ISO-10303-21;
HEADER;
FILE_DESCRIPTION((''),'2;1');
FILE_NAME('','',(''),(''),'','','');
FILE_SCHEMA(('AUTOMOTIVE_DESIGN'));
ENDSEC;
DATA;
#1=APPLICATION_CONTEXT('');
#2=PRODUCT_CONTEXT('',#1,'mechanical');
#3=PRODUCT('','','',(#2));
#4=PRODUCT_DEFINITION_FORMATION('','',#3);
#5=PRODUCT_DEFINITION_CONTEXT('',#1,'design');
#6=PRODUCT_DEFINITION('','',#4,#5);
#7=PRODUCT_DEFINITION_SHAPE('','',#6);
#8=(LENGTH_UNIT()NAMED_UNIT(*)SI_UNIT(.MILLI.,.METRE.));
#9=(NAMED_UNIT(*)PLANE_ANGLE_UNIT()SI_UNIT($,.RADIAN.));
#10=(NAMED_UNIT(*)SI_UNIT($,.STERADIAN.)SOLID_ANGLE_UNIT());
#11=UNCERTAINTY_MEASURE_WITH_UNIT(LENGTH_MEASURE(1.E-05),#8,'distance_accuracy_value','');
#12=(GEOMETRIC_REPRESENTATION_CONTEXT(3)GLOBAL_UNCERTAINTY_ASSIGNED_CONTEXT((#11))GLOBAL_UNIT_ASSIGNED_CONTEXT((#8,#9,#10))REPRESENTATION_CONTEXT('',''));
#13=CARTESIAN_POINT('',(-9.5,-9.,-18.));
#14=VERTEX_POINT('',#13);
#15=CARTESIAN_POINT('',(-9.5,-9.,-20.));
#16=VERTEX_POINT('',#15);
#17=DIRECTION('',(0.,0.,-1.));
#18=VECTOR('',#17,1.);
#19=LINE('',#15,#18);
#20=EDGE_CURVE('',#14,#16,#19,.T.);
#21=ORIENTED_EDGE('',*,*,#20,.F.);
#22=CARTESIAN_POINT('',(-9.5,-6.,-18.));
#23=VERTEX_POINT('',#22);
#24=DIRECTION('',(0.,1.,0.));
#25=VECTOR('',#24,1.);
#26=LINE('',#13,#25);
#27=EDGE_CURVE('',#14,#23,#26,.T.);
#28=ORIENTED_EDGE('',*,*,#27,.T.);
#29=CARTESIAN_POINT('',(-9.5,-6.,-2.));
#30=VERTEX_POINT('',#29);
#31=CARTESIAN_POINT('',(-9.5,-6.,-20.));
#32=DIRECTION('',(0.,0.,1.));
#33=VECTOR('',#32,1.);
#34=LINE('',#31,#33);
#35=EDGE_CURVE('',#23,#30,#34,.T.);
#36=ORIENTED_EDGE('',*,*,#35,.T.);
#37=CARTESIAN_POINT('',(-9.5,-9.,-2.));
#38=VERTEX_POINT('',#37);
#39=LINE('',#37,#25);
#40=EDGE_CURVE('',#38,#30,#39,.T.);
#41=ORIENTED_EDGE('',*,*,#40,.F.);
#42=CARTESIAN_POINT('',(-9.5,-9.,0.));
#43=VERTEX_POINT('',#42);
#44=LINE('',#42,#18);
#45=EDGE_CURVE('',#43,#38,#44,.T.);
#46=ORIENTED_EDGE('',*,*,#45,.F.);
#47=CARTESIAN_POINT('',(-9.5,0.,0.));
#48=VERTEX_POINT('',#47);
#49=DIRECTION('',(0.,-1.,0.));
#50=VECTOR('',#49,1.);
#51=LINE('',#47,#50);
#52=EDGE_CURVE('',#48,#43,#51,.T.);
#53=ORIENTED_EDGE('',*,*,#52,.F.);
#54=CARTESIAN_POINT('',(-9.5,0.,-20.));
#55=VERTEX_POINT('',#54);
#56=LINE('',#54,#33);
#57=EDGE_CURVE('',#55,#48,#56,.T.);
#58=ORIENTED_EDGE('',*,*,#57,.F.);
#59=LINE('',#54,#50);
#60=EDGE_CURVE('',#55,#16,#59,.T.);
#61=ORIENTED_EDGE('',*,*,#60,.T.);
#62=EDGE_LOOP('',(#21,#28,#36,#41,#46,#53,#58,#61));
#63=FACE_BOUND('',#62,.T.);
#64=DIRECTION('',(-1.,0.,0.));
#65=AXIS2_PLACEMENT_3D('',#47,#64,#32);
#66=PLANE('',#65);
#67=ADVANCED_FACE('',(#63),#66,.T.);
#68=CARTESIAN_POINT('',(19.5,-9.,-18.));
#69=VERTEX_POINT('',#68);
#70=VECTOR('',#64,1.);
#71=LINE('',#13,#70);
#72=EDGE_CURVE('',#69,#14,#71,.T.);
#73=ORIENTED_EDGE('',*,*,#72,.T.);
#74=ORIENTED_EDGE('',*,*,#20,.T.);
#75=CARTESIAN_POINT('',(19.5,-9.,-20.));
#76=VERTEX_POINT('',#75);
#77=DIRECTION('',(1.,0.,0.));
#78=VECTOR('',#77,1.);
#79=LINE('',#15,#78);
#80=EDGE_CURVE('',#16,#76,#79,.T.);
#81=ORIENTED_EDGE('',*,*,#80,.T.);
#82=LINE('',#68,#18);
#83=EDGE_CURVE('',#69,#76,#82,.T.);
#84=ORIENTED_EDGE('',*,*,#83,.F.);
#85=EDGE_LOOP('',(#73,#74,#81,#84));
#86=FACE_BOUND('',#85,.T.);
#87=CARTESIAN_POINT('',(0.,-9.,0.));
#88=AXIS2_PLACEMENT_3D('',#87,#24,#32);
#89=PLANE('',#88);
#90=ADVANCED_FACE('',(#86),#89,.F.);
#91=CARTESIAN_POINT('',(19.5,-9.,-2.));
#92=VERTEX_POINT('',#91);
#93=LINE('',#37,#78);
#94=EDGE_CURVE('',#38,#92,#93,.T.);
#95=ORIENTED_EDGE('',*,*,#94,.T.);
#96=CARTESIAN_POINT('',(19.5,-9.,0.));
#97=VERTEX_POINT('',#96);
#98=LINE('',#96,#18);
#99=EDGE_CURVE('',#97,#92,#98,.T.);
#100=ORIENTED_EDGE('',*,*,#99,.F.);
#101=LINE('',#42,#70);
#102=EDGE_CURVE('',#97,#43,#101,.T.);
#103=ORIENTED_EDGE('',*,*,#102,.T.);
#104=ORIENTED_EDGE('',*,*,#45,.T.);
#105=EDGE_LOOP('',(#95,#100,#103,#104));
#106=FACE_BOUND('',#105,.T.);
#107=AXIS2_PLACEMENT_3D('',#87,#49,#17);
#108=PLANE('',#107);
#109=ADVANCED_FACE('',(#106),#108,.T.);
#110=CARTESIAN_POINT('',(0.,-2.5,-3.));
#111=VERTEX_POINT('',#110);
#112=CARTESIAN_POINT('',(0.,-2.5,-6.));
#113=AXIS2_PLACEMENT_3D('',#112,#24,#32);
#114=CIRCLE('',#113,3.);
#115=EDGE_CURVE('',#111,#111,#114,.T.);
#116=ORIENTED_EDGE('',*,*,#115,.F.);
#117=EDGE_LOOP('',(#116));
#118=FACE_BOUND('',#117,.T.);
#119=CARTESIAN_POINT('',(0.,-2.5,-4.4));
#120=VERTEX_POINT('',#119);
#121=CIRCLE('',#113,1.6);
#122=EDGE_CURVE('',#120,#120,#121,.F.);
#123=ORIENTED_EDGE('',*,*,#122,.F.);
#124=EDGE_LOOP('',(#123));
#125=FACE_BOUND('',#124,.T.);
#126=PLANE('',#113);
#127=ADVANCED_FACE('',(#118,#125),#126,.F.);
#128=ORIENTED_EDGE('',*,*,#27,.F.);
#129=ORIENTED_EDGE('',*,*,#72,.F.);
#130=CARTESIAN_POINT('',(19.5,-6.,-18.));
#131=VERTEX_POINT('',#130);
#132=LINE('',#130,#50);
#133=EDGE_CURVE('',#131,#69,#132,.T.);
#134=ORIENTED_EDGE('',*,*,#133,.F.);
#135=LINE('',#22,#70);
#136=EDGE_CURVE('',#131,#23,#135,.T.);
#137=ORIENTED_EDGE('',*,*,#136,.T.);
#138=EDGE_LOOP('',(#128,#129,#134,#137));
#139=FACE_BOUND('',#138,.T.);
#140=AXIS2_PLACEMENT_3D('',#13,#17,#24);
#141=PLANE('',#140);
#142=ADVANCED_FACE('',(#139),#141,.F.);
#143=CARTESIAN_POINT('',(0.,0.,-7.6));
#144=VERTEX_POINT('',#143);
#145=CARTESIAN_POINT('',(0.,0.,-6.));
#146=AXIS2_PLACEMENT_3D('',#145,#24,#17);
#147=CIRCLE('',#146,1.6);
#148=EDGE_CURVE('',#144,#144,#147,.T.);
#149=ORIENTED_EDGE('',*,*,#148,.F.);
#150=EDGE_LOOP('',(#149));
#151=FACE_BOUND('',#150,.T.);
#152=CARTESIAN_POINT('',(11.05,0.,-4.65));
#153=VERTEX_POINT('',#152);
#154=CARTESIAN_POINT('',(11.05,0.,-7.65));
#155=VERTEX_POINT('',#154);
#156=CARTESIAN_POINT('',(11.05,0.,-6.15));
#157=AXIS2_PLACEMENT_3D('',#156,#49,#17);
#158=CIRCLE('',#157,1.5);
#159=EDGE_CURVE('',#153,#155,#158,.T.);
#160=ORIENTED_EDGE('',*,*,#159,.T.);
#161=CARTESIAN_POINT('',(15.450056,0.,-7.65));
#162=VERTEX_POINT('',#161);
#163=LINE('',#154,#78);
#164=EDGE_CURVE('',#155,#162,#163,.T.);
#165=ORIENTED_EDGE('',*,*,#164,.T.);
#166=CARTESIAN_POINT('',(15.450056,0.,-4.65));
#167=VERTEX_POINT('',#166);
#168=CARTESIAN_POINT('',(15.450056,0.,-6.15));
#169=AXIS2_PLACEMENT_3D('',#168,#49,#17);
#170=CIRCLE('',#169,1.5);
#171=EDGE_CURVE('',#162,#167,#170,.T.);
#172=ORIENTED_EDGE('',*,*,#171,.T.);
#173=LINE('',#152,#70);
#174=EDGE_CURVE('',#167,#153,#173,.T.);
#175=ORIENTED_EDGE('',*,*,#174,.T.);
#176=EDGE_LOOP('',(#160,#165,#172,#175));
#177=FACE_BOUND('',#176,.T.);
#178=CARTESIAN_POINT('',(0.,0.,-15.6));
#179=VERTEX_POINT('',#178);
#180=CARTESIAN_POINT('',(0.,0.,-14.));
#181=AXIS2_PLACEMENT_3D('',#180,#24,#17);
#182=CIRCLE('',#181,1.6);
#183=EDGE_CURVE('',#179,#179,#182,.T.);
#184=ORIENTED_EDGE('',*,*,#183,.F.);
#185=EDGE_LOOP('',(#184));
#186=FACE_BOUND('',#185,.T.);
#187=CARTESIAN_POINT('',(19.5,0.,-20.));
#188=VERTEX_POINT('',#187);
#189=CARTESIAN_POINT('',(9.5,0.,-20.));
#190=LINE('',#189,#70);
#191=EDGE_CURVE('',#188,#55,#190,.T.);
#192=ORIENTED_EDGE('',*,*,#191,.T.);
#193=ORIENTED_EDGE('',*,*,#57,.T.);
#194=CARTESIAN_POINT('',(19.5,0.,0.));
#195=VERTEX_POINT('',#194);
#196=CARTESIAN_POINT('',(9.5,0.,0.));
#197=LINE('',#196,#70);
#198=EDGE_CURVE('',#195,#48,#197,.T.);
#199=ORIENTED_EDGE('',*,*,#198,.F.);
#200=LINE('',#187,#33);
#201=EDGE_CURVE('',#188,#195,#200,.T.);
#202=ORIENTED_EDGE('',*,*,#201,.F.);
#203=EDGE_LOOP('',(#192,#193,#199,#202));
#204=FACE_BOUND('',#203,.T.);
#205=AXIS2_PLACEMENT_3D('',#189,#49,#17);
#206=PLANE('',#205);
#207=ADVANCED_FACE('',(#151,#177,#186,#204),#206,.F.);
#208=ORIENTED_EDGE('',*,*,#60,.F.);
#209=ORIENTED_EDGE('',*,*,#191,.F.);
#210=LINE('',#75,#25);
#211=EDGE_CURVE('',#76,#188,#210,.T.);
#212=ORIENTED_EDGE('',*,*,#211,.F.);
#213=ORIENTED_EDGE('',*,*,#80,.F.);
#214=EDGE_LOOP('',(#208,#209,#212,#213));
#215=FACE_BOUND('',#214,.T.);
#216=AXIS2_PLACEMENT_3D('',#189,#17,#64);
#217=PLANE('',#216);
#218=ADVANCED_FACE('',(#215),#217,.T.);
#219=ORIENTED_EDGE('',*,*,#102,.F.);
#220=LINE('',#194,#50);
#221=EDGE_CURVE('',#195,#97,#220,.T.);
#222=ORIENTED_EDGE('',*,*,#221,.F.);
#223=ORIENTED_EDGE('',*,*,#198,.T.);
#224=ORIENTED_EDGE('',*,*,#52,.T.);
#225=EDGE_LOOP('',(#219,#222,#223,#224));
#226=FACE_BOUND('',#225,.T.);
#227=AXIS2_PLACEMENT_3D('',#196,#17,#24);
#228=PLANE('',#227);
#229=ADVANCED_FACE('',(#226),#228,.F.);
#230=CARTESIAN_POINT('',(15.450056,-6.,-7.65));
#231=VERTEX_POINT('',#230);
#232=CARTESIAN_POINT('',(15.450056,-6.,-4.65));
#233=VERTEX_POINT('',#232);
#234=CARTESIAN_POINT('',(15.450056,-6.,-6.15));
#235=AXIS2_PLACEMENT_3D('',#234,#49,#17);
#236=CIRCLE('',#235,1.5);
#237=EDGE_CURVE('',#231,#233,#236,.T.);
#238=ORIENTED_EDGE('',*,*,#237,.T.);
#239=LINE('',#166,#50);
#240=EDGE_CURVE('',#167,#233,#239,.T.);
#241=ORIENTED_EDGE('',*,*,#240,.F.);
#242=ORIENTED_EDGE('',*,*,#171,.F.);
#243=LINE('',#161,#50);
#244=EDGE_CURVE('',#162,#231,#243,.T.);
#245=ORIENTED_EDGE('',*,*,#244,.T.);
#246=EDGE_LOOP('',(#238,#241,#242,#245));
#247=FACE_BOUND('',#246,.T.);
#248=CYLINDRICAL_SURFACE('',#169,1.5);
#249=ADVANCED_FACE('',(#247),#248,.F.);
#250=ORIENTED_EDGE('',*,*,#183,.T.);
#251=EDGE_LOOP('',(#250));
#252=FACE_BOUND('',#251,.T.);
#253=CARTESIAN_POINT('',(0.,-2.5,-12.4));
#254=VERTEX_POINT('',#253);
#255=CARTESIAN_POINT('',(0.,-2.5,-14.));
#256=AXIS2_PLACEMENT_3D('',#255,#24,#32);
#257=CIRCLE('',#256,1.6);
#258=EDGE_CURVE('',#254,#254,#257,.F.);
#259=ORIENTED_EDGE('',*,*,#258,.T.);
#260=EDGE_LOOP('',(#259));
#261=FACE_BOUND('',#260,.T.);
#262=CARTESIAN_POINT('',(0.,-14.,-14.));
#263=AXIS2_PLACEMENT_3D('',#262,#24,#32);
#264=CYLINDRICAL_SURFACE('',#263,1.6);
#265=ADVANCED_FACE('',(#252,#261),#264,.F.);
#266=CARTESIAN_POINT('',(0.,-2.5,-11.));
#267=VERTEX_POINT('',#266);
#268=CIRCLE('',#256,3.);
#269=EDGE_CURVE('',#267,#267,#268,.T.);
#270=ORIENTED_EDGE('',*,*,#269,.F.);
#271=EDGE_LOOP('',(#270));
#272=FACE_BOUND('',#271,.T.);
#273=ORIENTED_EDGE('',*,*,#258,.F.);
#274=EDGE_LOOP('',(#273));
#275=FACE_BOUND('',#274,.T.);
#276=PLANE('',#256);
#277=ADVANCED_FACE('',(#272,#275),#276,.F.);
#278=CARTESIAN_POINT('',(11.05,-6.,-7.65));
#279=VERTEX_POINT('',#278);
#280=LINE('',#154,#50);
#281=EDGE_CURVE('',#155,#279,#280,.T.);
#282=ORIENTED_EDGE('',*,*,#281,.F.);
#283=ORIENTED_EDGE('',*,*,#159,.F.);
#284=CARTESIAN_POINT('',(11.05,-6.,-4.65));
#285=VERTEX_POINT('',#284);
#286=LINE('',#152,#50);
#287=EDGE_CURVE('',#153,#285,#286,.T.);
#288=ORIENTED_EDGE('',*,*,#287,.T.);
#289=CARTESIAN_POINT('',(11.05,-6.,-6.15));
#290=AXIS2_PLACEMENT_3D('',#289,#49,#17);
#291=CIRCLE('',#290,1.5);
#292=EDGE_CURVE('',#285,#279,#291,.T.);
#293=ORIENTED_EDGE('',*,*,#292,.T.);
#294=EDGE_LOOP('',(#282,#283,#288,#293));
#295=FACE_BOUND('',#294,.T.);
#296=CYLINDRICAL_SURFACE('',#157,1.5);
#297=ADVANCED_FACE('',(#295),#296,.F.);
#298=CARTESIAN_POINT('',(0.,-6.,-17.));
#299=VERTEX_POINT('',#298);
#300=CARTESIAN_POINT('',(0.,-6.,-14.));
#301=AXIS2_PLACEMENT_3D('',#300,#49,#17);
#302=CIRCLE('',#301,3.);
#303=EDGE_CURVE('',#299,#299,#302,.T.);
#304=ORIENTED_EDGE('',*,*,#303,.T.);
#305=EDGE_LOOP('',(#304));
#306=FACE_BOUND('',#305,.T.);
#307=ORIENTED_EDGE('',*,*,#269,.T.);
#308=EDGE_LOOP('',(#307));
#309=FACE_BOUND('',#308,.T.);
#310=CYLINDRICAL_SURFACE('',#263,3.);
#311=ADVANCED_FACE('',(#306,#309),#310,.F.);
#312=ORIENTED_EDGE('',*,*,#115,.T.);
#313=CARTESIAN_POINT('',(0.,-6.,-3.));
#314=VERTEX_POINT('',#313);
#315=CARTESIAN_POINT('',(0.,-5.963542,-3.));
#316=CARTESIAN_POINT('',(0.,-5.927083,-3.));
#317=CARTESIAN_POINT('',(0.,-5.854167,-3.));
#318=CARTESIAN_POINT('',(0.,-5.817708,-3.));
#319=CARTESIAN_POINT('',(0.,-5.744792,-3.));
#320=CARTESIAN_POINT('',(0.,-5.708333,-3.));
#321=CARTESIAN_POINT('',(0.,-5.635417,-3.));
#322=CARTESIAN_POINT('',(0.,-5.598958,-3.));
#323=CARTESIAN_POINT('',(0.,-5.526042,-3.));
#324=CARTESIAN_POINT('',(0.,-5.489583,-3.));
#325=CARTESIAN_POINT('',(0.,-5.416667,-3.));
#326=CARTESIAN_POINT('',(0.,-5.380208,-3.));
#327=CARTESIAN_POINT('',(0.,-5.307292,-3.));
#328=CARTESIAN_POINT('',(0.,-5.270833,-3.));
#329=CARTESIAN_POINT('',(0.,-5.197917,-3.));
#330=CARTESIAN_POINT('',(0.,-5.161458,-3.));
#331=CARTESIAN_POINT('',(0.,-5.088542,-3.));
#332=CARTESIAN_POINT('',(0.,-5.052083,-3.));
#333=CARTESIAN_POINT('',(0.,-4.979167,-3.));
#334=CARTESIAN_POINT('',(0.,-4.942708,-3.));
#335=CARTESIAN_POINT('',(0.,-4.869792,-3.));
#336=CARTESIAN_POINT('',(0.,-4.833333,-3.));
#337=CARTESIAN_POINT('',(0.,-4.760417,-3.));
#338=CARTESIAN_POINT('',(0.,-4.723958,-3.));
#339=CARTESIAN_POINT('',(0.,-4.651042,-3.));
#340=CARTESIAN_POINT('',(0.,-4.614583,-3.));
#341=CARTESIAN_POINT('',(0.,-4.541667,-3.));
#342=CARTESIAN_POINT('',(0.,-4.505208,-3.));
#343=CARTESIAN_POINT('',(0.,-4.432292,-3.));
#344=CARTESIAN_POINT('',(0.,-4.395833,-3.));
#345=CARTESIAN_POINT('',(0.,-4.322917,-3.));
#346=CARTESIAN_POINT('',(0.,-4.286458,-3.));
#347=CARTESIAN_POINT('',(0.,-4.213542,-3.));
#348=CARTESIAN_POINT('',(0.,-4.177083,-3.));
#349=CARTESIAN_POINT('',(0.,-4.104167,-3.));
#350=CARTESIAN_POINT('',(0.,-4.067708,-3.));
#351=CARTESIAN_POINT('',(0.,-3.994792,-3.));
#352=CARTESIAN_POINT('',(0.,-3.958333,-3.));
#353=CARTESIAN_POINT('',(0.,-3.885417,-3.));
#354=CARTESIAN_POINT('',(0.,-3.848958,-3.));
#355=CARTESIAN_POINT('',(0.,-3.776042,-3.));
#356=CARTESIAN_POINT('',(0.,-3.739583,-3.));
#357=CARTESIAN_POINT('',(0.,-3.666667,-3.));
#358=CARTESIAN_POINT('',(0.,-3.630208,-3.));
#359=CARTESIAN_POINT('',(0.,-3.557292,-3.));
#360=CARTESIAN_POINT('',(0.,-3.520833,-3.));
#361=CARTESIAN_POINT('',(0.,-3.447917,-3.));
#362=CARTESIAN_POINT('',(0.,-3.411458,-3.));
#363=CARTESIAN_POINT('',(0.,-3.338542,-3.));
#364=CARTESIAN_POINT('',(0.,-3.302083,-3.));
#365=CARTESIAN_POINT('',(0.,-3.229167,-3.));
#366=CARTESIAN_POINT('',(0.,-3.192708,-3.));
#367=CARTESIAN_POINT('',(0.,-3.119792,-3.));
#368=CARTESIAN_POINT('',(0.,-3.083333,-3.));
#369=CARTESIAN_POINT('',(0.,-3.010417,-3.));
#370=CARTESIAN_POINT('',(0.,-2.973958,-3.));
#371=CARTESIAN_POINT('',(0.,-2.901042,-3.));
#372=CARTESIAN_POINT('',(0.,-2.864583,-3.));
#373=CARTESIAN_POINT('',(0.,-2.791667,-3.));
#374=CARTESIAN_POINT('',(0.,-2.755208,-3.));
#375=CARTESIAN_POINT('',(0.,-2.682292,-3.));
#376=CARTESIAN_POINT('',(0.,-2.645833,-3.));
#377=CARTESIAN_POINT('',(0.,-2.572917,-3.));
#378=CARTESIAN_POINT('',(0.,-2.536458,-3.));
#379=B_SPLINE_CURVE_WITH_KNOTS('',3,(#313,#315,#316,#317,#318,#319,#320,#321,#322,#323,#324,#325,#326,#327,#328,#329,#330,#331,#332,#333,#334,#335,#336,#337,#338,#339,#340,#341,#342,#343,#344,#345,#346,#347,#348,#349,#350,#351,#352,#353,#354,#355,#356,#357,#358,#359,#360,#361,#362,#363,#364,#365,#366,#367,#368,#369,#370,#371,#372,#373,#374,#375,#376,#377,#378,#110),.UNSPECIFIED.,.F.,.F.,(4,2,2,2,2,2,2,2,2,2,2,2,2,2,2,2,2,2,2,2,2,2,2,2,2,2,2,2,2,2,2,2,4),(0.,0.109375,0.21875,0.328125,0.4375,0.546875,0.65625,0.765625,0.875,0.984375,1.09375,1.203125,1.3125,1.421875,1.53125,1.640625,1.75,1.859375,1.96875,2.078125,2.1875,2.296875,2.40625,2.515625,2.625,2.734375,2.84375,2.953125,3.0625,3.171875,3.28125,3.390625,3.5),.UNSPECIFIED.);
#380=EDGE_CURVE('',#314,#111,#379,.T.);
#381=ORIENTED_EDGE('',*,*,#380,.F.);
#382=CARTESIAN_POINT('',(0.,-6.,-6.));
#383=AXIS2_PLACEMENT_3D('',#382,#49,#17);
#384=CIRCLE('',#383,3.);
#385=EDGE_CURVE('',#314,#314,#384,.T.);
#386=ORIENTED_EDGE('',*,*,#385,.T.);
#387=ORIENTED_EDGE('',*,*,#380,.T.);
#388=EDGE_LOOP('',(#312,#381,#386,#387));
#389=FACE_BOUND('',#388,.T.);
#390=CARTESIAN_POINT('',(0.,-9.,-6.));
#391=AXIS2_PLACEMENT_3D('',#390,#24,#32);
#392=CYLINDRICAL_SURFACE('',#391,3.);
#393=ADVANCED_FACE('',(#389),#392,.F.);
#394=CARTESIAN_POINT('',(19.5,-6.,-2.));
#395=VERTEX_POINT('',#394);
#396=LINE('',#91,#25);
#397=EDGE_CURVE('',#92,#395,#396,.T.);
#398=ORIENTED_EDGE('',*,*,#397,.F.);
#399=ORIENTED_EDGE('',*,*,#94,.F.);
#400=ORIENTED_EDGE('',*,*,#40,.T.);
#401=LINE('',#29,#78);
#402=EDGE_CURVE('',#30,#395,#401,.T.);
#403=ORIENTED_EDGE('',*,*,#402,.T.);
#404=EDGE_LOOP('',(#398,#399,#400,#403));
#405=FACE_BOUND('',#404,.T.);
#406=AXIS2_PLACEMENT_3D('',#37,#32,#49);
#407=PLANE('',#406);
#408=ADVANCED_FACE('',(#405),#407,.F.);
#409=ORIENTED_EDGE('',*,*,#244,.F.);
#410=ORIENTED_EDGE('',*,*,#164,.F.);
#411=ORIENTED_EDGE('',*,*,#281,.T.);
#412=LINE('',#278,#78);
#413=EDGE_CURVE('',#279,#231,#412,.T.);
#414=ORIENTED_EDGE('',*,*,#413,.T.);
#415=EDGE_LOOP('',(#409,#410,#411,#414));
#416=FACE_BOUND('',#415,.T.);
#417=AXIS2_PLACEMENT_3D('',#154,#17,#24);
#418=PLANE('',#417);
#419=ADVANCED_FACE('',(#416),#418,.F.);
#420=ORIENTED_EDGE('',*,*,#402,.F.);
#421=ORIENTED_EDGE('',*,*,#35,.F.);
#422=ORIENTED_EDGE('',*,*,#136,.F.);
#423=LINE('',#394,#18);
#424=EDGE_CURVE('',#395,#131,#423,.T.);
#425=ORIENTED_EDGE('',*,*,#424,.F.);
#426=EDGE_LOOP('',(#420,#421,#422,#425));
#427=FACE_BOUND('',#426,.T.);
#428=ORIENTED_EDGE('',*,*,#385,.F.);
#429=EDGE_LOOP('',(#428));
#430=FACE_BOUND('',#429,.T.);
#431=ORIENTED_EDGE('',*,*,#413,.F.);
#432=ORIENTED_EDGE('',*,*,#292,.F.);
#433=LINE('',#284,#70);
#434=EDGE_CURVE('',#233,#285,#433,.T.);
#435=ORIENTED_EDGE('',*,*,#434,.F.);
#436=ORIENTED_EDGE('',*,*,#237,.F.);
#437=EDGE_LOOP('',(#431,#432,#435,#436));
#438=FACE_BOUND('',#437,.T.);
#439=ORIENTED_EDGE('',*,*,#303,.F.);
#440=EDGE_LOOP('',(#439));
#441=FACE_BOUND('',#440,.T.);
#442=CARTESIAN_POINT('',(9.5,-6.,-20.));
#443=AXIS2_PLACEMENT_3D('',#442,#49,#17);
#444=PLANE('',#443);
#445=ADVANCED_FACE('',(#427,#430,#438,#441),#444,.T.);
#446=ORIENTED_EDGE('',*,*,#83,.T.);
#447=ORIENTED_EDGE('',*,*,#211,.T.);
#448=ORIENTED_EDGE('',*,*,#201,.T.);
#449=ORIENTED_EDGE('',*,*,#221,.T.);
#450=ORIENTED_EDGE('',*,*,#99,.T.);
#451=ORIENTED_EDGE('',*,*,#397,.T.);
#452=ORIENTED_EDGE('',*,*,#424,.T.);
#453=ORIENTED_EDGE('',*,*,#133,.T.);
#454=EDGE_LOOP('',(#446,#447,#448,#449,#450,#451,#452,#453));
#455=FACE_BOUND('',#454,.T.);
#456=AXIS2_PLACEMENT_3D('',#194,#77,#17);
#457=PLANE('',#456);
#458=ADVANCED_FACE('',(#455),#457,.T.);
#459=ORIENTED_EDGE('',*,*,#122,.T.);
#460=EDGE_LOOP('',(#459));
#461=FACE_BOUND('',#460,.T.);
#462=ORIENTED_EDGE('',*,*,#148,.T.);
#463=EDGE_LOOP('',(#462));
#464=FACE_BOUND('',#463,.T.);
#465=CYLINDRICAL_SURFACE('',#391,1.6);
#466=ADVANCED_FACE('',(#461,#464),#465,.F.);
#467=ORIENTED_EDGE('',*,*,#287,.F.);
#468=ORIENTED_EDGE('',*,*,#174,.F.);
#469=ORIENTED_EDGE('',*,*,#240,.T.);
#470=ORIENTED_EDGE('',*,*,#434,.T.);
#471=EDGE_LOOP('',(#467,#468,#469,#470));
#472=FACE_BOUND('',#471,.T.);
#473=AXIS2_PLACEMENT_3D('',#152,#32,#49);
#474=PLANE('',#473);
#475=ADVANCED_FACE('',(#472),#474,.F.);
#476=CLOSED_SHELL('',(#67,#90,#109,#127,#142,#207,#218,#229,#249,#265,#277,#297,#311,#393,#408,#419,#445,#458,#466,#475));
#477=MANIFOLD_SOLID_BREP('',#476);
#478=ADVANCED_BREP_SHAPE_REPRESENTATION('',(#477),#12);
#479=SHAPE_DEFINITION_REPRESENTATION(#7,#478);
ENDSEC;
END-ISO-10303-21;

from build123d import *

# Parameters (mm, degrees)
EXTRU_MINCE1_DEPTH      = 9.5
ESQUISSE2_R             = 1.6
ENL_V_MAT_EXTRU_1_DEPTH = 27.196373795
ENL_V_START             = -2.5
ESQUISSE4_R             = 3
ENL_V_MAT_EXTRU_3_DEPTH = 24.696373795
SKETCH2_W               = 19
SKETCH2_H               = 8
CUT_EXTRUDE2_DEPTH      = 22.960191256
SKETCH4_W               = 19
SKETCH4_H               = 2
BOSS_EXTRUDE2_DEPTH     = 3
BOSS_EXTRUDE3_DEPTH     = 10
SKETCH6_R               = 1.5
CUT_EXTRUDE3_DEPTH      = 29.570089254
CUT_EXTRUDE6_DEPTH      = 29.570089254
LPATTERN1_COUNT         = 2
LPATTERN1_PITCH         = 8


with BuildPart() as part:
    # Esquisse1 → Extru.-Mince1 (new, symmetric)
    with BuildSketch(Plane(origin=(0, 0, 0), x_dir=(0, 0, -1), z_dir=(1, 0, 0))):
        Polygon((20, 0), (0, 0), (0, -14), (6, -14), (6, -6), (20, -6), align=None)
    extrude(amount=EXTRU_MINCE1_DEPTH, both=True)

    # Esquisse2 → Enlèv. mat.-Extru.1 (cut, through all)
    with BuildSketch(Plane(origin=(0, 0, 0), x_dir=(1, 0, 0), z_dir=(0, 1, 0))):
        with Locations((0, 14)):
            Circle(ESQUISSE2_R)
    enl_v_mat_extru_1 = extrude(amount=-ENL_V_MAT_EXTRU_1_DEPTH, mode=Mode.SUBTRACT)

    # Esquisse4 → Enlèv. mat.-Extru.3 (cut, through all)
    with BuildSketch(Plane(origin=(0, 0, 0), x_dir=(1, 0, 0), z_dir=(0, 1, 0)).offset(ENL_V_START)):
        with Locations((0, 14)):
            Circle(ESQUISSE4_R)
    enl_v_mat_extru_3 = extrude(amount=-ENL_V_MAT_EXTRU_3_DEPTH, mode=Mode.SUBTRACT)

    # Sketch2 → Cut-Extrude2 (cut, through all)
    with BuildSketch(Plane(origin=(0, 0, -6), x_dir=(-1, 0, 0), z_dir=(0, 0, -1))):
        with Locations((0, -10)):
            Rectangle(SKETCH2_W, SKETCH2_H)
    extrude(amount=-CUT_EXTRUDE2_DEPTH, mode=Mode.SUBTRACT)

    # Sketch4 → Boss-Extrude2 (add)
    with BuildSketch(Plane.XZ.offset(6)):
        with Locations((0, -1)):
            Rectangle(SKETCH4_W, SKETCH4_H)
        with Locations((0, -19)):
            Rectangle(SKETCH4_W, SKETCH4_H)
    extrude(amount=BOSS_EXTRUDE2_DEPTH)

    # Sketch5 → Boss-Extrude3 (add)
    with BuildSketch(Plane(origin=(9.5, 0, 0), x_dir=(0, 0, -1), z_dir=(1, 0, 0))):
        Polygon((0, 0), (0, -9), (2, -9), (2, -6), (18, -6), (18, -9), (20, -9), (20, 0), align=None)
    extrude(amount=BOSS_EXTRUDE3_DEPTH)

    # Sketch6 → Cut-Extrude3 (cut, through all)
    with BuildSketch(Plane.XZ.offset(6)):
        with Locations((11.05, -6.15)):
            Circle(SKETCH6_R)
    extrude(amount=-CUT_EXTRUDE3_DEPTH, mode=Mode.SUBTRACT)

    # Sketch7 → Cut-Extrude6 (cut, through all)
    with BuildSketch(Plane.XZ.offset(6)):
        with BuildLine():
            Line((11.05, -4.65), (15.450055752, -4.65))
            ThreePointArc((15.450055752, -4.65), (16.950055752, -6.15), (15.450055752, -7.65))
            Line((15.450055752, -7.65), (11.05, -7.65))
            ThreePointArc((11.05, -7.65), (12.55, -6.15), (11.05, -4.65))
        make_face()
    extrude(amount=-CUT_EXTRUDE6_DEPTH, mode=Mode.SUBTRACT)

    # LPattern1: Enlèv. mat.-Extru.1, Enlèv. mat.-Extru.3 ×2
    with Locations(*[(0, 0, i * LPATTERN1_PITCH) for i in range(1, LPATTERN1_COUNT)]):
        add(enl_v_mat_extru_1, mode=Mode.SUBTRACT)
        add(enl_v_mat_extru_3, mode=Mode.SUBTRACT)


solid = part.part
